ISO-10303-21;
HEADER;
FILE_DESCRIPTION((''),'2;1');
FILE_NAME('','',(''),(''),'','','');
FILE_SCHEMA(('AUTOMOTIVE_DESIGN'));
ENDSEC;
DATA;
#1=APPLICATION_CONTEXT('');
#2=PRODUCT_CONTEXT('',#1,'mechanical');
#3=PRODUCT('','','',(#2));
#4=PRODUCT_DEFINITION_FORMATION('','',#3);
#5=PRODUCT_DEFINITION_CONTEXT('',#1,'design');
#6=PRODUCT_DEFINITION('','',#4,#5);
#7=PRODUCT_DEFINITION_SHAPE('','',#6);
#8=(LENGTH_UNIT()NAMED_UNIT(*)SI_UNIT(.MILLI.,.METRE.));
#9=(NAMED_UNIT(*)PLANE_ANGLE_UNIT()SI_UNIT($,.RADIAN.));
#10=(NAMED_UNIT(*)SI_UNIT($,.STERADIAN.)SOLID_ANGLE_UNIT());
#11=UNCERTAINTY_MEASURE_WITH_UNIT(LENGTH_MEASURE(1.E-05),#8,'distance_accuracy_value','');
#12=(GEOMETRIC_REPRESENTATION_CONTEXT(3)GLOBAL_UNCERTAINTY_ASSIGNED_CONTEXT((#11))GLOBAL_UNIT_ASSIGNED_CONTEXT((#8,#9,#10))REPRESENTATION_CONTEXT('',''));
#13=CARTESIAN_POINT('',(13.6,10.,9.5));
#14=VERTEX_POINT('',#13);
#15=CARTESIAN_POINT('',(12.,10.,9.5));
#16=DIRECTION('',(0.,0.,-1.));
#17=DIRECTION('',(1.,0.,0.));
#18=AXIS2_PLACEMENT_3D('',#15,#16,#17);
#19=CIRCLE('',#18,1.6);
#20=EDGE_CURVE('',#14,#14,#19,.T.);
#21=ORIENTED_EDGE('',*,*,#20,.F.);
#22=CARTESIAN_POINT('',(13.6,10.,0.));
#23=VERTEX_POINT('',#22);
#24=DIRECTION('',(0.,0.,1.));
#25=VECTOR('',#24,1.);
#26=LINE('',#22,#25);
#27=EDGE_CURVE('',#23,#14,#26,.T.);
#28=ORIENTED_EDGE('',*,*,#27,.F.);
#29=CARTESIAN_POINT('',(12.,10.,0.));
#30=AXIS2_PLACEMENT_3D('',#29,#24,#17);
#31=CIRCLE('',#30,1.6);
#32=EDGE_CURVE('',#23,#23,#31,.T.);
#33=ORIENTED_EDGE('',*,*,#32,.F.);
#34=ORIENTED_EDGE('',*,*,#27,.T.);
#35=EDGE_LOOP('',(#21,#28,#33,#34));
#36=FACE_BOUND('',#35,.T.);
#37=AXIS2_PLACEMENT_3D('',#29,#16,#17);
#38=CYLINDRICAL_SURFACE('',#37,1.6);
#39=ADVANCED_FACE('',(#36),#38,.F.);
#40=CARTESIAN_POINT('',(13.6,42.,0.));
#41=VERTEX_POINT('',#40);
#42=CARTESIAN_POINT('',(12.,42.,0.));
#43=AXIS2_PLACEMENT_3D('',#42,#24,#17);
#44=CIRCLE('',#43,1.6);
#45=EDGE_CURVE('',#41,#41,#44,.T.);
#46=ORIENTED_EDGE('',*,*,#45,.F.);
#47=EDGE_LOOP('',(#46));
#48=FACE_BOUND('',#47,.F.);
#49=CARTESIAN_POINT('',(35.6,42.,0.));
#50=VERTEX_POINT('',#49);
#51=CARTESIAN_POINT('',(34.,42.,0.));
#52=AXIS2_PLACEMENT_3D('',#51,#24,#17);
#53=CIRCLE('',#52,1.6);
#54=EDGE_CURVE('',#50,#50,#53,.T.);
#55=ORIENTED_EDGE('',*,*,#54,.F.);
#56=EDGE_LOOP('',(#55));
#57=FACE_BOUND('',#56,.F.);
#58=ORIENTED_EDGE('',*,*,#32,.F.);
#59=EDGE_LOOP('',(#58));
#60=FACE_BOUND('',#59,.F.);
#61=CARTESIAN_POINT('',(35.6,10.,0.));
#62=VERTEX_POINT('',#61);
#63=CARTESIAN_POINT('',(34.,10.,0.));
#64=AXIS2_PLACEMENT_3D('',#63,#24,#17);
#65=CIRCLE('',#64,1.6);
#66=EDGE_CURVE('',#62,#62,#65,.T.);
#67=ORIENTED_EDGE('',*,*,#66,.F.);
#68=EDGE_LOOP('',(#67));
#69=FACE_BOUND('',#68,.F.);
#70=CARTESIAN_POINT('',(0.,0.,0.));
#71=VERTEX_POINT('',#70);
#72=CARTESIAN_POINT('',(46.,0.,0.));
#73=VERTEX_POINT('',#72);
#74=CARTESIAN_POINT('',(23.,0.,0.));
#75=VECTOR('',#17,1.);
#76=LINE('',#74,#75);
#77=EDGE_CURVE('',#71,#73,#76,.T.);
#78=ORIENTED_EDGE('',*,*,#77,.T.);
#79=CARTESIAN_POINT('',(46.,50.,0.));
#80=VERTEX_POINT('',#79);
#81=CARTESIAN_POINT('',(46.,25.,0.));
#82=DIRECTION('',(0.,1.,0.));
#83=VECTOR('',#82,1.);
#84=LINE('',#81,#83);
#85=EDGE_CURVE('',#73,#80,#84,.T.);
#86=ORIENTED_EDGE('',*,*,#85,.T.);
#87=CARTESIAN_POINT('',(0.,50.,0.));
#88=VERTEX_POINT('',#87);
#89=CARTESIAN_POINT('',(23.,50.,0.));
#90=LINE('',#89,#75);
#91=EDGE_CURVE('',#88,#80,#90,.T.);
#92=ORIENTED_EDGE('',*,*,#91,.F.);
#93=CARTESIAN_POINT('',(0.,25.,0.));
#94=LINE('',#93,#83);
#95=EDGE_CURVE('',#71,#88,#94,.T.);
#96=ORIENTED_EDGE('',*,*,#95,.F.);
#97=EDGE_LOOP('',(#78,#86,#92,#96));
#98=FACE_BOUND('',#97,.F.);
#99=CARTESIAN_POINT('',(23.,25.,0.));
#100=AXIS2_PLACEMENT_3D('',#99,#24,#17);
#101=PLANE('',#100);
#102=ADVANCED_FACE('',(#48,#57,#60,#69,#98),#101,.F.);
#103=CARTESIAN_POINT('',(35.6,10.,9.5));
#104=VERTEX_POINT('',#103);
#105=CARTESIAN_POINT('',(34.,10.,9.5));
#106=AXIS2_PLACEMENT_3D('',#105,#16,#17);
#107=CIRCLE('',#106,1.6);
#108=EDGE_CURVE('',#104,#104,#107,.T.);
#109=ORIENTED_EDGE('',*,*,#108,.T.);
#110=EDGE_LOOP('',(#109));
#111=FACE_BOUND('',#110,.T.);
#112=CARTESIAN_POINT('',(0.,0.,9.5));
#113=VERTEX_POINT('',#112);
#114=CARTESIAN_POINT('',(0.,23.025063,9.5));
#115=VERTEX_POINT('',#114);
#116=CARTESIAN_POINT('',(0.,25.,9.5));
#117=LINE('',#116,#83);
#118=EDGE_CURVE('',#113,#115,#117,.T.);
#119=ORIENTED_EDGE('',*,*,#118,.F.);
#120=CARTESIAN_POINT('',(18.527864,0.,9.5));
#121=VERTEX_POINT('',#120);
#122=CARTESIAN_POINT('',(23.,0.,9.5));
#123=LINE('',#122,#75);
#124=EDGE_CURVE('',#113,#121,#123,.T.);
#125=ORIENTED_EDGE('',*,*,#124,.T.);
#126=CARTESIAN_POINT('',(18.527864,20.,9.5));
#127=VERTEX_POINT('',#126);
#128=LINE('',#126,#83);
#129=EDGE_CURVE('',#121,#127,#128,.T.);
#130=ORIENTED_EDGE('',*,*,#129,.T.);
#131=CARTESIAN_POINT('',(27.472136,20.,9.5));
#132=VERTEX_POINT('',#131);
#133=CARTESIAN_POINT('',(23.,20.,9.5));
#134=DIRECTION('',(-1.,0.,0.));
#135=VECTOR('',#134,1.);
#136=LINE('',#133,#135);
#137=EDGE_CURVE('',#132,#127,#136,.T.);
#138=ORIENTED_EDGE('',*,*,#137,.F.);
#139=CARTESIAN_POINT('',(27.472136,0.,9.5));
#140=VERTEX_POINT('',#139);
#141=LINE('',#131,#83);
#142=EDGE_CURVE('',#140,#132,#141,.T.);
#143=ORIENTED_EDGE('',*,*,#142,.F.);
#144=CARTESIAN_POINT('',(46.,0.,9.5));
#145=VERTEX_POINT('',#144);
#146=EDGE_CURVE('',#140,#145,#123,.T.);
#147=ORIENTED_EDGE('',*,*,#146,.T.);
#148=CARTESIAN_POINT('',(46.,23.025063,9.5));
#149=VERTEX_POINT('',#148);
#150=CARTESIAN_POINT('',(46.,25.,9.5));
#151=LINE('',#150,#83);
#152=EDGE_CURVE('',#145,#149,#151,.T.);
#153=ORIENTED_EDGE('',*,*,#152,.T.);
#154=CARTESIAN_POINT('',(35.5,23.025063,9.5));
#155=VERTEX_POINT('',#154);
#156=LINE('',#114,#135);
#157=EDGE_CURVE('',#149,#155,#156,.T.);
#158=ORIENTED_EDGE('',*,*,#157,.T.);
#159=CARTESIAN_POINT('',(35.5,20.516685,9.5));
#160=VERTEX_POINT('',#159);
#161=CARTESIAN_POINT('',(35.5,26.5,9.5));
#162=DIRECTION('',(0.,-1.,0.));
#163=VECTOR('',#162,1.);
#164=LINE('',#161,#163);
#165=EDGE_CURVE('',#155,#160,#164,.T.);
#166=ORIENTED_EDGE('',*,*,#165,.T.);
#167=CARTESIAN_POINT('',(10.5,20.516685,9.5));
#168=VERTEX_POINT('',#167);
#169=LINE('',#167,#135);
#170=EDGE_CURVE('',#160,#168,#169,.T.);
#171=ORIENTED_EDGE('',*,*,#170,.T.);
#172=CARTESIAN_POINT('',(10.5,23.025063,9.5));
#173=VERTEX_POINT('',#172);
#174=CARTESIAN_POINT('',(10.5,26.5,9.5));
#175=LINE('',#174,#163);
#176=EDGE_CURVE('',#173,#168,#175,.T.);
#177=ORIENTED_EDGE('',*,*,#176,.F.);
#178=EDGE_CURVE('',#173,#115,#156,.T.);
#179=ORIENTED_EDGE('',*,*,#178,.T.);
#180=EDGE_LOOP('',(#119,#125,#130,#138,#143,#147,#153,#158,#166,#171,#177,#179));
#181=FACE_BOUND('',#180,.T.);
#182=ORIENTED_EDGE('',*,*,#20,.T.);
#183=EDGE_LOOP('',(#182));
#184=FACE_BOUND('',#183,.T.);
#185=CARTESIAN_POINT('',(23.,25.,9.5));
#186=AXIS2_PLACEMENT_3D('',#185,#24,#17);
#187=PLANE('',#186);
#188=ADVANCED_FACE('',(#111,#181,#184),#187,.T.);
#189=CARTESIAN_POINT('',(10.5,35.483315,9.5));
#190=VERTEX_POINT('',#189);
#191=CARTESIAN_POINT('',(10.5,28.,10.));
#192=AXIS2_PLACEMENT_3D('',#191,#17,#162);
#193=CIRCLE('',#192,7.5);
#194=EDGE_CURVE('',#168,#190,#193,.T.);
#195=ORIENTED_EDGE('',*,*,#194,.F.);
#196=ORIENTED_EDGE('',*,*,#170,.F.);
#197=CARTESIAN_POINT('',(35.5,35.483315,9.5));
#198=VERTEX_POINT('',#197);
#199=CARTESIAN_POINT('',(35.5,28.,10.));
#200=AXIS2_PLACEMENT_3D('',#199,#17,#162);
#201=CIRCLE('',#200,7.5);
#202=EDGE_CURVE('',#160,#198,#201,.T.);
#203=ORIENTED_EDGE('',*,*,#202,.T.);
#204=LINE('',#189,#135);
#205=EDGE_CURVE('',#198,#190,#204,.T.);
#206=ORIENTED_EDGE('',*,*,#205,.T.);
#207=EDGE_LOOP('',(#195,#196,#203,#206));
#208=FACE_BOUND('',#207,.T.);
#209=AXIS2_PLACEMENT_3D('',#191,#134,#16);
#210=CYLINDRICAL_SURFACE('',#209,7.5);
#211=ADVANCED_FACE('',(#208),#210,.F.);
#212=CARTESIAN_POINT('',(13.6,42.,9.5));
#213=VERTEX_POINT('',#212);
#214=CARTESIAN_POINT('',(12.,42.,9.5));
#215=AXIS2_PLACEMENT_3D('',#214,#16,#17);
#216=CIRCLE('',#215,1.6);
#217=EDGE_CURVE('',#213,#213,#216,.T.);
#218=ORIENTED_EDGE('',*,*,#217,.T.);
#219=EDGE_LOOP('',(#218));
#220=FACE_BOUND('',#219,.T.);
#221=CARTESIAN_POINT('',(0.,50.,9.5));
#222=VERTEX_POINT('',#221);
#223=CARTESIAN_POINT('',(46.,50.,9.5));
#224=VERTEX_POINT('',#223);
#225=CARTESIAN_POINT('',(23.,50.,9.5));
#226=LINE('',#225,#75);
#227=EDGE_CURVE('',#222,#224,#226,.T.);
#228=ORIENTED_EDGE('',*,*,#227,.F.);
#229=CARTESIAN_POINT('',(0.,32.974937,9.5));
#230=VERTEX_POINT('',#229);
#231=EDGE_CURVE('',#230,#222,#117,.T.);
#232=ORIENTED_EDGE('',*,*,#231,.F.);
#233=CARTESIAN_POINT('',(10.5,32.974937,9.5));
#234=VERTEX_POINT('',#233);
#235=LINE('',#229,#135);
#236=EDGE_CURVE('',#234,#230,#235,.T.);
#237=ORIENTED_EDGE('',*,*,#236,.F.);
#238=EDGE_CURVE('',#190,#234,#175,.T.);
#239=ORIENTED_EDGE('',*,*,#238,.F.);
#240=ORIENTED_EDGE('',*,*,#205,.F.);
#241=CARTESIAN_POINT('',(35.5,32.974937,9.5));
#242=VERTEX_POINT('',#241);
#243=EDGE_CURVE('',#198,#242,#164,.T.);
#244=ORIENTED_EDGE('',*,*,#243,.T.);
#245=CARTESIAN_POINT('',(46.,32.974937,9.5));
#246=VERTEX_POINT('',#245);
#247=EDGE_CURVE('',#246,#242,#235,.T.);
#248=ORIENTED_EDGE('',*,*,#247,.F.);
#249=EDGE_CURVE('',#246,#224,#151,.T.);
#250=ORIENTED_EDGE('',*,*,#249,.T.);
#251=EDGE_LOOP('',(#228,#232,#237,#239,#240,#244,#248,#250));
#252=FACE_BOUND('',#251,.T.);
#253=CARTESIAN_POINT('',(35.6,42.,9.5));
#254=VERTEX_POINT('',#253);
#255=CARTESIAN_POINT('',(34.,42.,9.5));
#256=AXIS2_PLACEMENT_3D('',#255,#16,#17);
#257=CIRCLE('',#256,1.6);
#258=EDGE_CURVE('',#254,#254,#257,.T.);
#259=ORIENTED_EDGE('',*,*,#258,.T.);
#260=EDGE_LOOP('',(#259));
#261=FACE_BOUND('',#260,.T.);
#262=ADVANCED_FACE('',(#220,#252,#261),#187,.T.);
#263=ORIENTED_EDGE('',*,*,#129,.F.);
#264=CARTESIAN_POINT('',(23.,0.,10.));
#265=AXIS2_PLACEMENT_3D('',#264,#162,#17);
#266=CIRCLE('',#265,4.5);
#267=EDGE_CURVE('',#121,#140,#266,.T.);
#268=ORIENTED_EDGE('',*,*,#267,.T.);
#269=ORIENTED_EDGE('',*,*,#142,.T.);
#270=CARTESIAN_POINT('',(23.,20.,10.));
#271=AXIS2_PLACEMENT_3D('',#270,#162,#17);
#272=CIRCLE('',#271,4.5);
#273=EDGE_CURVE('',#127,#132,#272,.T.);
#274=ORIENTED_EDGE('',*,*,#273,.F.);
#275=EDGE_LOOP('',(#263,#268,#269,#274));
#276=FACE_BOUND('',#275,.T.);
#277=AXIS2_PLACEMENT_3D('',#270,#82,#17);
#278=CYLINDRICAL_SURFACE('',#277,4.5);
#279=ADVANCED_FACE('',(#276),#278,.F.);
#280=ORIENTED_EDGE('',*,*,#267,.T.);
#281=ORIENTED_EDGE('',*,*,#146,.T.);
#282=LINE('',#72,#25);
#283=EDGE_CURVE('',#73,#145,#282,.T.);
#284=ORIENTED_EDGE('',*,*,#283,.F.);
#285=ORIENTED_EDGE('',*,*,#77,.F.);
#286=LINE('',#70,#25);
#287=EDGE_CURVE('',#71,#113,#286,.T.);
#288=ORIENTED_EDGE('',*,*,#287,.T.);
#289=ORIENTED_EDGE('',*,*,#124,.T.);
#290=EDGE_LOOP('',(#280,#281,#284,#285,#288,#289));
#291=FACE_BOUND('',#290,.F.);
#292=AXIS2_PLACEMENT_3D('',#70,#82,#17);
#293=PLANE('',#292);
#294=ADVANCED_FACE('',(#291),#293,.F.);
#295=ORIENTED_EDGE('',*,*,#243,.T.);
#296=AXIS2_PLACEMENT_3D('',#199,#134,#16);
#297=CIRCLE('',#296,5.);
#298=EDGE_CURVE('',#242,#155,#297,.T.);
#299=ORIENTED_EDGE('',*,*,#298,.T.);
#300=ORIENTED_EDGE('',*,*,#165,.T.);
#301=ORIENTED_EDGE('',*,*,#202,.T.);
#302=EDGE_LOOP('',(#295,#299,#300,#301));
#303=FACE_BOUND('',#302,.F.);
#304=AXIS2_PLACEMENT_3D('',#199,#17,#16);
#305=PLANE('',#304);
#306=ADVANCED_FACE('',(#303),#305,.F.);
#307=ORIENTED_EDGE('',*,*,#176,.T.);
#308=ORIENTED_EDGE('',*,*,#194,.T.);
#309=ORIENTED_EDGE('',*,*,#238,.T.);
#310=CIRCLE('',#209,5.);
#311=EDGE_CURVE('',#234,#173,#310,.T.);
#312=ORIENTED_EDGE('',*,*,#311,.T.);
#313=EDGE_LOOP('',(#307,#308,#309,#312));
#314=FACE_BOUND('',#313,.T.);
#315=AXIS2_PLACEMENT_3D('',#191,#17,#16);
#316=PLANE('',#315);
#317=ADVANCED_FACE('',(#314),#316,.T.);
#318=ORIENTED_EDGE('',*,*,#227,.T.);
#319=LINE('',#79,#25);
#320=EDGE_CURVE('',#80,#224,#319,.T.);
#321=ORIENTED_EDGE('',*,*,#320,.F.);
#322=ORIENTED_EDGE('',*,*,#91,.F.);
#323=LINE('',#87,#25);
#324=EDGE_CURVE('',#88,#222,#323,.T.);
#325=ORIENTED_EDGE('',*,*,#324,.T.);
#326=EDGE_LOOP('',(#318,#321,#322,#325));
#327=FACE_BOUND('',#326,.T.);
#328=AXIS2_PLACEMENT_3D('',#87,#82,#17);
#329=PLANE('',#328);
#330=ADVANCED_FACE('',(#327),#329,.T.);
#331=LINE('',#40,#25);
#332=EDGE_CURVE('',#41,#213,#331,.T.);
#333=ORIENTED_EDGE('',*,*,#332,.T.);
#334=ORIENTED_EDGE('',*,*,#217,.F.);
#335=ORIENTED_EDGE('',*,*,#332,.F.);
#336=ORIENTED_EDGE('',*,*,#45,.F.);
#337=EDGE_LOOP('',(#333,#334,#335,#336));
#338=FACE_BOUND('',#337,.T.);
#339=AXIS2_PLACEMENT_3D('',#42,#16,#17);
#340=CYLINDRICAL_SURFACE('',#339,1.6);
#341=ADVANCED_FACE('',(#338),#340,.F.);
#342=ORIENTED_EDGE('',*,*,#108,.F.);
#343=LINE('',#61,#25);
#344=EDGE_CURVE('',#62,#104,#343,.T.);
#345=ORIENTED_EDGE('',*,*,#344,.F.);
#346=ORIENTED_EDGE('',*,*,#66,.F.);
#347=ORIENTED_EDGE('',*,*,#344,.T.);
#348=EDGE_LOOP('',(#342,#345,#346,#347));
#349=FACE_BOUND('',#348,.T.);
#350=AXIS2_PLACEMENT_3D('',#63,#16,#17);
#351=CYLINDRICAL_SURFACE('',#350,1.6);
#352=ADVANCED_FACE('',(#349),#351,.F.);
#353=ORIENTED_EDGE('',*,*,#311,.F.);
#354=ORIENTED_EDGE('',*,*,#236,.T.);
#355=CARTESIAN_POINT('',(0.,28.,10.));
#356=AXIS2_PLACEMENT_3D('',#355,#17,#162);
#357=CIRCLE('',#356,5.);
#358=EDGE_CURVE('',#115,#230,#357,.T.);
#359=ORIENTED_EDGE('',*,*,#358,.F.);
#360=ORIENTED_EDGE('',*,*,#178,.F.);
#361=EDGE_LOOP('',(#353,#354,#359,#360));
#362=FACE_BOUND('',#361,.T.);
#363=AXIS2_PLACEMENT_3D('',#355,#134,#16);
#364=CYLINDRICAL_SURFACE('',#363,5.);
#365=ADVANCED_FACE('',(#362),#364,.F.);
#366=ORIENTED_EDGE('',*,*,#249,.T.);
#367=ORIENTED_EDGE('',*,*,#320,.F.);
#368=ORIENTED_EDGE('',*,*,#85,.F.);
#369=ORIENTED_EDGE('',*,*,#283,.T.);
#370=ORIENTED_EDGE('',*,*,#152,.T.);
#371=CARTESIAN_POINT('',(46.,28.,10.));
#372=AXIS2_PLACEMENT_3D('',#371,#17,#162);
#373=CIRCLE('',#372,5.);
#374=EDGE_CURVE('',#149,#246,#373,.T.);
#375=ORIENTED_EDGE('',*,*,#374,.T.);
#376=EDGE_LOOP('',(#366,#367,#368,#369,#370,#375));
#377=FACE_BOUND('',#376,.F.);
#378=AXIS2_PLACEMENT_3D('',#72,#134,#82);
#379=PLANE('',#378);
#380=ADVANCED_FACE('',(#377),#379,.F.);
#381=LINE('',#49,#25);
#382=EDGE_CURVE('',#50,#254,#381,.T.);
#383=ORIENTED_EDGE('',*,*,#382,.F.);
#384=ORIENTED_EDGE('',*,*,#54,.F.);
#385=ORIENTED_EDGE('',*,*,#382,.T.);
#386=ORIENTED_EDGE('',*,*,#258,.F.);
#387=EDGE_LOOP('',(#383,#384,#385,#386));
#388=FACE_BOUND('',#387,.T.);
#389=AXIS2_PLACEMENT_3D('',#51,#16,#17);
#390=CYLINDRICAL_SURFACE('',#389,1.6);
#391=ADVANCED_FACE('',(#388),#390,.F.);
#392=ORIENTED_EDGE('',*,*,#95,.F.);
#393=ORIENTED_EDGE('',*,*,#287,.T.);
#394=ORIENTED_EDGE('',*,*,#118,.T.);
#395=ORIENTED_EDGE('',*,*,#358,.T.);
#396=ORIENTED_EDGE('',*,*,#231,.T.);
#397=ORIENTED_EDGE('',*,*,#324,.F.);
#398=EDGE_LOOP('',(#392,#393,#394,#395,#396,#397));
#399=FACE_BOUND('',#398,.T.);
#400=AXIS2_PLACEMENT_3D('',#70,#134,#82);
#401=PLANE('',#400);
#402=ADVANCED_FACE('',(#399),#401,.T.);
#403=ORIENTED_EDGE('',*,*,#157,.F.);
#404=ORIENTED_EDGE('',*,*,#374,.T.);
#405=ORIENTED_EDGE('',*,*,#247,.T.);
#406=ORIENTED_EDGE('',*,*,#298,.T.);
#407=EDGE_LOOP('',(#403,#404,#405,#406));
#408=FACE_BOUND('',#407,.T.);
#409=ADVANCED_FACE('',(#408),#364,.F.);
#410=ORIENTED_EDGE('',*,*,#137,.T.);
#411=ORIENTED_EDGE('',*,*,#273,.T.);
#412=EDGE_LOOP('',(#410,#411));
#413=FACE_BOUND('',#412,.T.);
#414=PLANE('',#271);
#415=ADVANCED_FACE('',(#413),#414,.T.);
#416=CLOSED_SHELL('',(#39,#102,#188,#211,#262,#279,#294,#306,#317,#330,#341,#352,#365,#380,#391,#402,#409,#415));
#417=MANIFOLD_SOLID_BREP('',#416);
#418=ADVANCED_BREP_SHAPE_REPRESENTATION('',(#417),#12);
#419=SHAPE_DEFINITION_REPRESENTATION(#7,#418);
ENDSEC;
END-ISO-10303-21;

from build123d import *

# Parameters (mm, degrees)
BOX001_W                = 46
BOX001_H                = 50
BOX001_DEPTH            = 1
CYLINDER006_R           = 7.5
CYLINDER006_DEPTH       = 25
CYLINDER006_PITCH_ANGLE = 90
CYLINDER005_R           = 5
CYLINDER005_DEPTH       = 46
CYLINDER005_PITCH_ANGLE = 90
CYLINDER004_R           = 4.5
CYLINDER004_DEPTH       = 20
CYLINDER004_ROLL_ANGLE  = 90
CYLINDER003_R           = 1.6
CYLINDER003_DEPTH       = 10
CYLINDER002_R           = 1.6
CYLINDER002_DEPTH       = 10
CYLINDER001_R           = 1.6
CYLINDER001_DEPTH       = 10
CYLINDER_R              = 1.6
CYLINDER_DEPTH          = 10
BOX_W                   = 46
BOX_H                   = 50
BOX_DEPTH               = 10


with BuildPart() as cubo001:
    # Box001 → Box001 (new body)
    with BuildSketch(Plane.XY.offset(9.5)):
        with Locations((23, 25)):
            Rectangle(BOX001_W, BOX001_H)
    extrude(amount=BOX001_DEPTH)


with BuildPart() as cilindro006:
    # Cylinder006 → Cylinder006 (new body)
    with BuildSketch(Plane.XY):
        Circle(CYLINDER006_R)
    extrude(amount=CYLINDER006_DEPTH)


with BuildPart() as cilindro006_1:
    # Cylinder006 pitch: moved
    add(cilindro006.part.rotate(Axis((0, 0, 0), (0, 1, 0)), CYLINDER006_PITCH_ANGLE))


with BuildPart() as cilindro006_2:
    # Cylinder006 placement: moved
    add(cilindro006_1.part.moved(Location((10.5, 28, 10))))


with BuildPart() as cilindro005:
    # Cylinder005 → Cylinder005 (new body)
    with BuildSketch(Plane.XY):
        Circle(CYLINDER005_R)
    extrude(amount=CYLINDER005_DEPTH)


with BuildPart() as cilindro005_1:
    # Cylinder005 pitch: moved
    add(cilindro005.part.rotate(Axis((0, 0, 0), (0, 1, 0)), CYLINDER005_PITCH_ANGLE))


with BuildPart() as cilindro005_2:
    # Cylinder005 placement: moved
    add(cilindro005_1.part.moved(Location((0, 28, 10))))


with BuildPart() as cilindro004:
    # Cylinder004 → Cylinder004 (new body)
    with BuildSketch(Plane.XY):
        Circle(CYLINDER004_R)
    extrude(amount=CYLINDER004_DEPTH)


with BuildPart() as cilindro004_1:
    # Cylinder004 roll: moved
    add(cilindro004.part.rotate(Axis((0, 0, 0), (1, 0, 0)), CYLINDER004_ROLL_ANGLE))


with BuildPart() as cilindro004_2:
    # Cylinder004 placement: moved
    add(cilindro004_1.part.moved(Location((23, 20, 10))))


with BuildPart() as cilindro003:
    # Cylinder003 → Cylinder003 (new body)
    with BuildSketch(Plane(origin=(34, 42, 0), x_dir=(1, 0, 0), z_dir=(0, 0, 1))):
        Circle(CYLINDER003_R)
    extrude(amount=CYLINDER003_DEPTH)


with BuildPart() as cilindro002:
    # Cylinder002 → Cylinder002 (new body)
    with BuildSketch(Plane(origin=(12, 42, 0), x_dir=(1, 0, 0), z_dir=(0, 0, 1))):
        Circle(CYLINDER002_R)
    extrude(amount=CYLINDER002_DEPTH)


with BuildPart() as cilindro001:
    # Cylinder001 → Cylinder001 (new body)
    with BuildSketch(Plane(origin=(34, 10, 0), x_dir=(1, 0, 0), z_dir=(0, 0, 1))):
        Circle(CYLINDER001_R)
    extrude(amount=CYLINDER001_DEPTH)


with BuildPart() as cilindro:
    # Cylinder → Cylinder (new body)
    with BuildSketch(Plane(origin=(12, 10, 0), x_dir=(1, 0, 0), z_dir=(0, 0, 1))):
        Circle(CYLINDER_R)
    extrude(amount=CYLINDER_DEPTH)


with BuildPart() as cut007:
    # Box → Box (new body)
    with BuildSketch(Plane.XY):
        with Locations((23, 25)):
            Rectangle(BOX_W, BOX_H)
    extrude(amount=BOX_DEPTH)

    # Cut: cut Cilindro
    add(cilindro.part, mode=Mode.SUBTRACT)

    # Cut001: cut Cilindro001
    add(cilindro001.part, mode=Mode.SUBTRACT)

    # Cut002: cut Cilindro002
    add(cilindro002.part, mode=Mode.SUBTRACT)

    # Cut003: cut Cilindro003
    add(cilindro003.part, mode=Mode.SUBTRACT)

    # Cut004: cut Cilindro004
    add(cilindro004_2.part, mode=Mode.SUBTRACT)

    # Cut005: cut Cilindro005
    add(cilindro005_2.part, mode=Mode.SUBTRACT)

    # Cut006: cut Cilindro006
    add(cilindro006_2.part, mode=Mode.SUBTRACT)

    # Cut007: cut Cubo001
    add(cubo001.part, mode=Mode.SUBTRACT)


solid = cut007.part
